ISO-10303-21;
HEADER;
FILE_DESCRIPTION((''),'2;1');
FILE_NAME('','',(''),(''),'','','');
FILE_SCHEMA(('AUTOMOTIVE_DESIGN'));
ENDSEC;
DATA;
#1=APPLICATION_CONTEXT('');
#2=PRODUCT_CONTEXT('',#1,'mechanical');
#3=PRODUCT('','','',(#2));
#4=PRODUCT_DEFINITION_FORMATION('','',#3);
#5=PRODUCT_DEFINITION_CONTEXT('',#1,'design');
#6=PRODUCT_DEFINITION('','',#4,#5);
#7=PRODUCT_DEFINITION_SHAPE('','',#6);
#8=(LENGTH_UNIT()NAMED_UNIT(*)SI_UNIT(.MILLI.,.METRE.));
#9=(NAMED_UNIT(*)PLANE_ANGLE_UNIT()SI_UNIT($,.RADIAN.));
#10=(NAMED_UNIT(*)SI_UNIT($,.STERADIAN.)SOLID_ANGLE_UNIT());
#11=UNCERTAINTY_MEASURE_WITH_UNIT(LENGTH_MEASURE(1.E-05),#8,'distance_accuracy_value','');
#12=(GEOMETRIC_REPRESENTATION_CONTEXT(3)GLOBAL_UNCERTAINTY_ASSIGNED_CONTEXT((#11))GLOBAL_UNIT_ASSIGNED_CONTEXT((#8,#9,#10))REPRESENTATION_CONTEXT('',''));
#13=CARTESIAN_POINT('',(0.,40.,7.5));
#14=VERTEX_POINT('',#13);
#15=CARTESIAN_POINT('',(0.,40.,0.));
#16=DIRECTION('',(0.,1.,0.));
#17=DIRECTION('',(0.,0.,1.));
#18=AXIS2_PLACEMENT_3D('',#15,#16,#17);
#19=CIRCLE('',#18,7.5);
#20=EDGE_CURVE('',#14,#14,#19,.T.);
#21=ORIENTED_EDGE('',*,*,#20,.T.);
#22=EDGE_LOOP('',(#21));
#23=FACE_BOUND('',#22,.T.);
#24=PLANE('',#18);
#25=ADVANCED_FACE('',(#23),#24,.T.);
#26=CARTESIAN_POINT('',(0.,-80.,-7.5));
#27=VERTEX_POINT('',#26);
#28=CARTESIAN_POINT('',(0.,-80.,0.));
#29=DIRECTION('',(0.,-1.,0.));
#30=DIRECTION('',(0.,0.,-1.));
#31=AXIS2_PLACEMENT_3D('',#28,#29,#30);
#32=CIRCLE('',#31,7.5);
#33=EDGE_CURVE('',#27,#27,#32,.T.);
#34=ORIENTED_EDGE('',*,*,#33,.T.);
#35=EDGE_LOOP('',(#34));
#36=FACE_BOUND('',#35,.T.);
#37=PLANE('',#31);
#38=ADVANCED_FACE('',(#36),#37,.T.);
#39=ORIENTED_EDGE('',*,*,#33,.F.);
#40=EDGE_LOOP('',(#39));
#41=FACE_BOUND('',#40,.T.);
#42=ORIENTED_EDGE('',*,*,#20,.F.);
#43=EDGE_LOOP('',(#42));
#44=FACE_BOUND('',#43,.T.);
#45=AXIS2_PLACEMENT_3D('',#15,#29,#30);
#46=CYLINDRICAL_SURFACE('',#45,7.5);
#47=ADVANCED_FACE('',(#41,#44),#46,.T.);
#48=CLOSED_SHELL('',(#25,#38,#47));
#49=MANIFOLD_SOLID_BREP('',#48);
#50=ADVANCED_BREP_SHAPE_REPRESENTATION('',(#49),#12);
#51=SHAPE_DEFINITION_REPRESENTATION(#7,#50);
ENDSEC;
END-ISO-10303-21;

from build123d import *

# Parameters (mm, degrees)
IZIM1_R                     = 7.5
Y_KSEKLIK_EKSTR_ZYON1_DEPTH = 40
Y_KSEKLIK_EKSTR_ZYON2_START = 80
IZIM2_R                     = 7.5
Y_KSEKLIK_EKSTR_ZYON2_DEPTH = 80


with BuildPart() as part:
    # Çizim1 → Yükseklik-Ekstrüzyon1 (new body)
    with BuildSketch(Plane(origin=(0, 0, 0), x_dir=(1, 0, 0), z_dir=(0, 1, 0))):
        with Locations(Location((0, 0, 0), (0, 0, 270))):
            Circle(IZIM1_R)
    extrude(amount=Y_KSEKLIK_EKSTR_ZYON1_DEPTH)

    # Çizim2 → Yükseklik-Ekstrüzyon2 (add)
    with BuildSketch(Plane.XZ.offset(Y_KSEKLIK_EKSTR_ZYON2_START)):
        with Locations(Location((0, 0, 0), (0, 0, 270))):
            Circle(IZIM2_R)
    extrude(amount=-Y_KSEKLIK_EKSTR_ZYON2_DEPTH)


solid = part.part
